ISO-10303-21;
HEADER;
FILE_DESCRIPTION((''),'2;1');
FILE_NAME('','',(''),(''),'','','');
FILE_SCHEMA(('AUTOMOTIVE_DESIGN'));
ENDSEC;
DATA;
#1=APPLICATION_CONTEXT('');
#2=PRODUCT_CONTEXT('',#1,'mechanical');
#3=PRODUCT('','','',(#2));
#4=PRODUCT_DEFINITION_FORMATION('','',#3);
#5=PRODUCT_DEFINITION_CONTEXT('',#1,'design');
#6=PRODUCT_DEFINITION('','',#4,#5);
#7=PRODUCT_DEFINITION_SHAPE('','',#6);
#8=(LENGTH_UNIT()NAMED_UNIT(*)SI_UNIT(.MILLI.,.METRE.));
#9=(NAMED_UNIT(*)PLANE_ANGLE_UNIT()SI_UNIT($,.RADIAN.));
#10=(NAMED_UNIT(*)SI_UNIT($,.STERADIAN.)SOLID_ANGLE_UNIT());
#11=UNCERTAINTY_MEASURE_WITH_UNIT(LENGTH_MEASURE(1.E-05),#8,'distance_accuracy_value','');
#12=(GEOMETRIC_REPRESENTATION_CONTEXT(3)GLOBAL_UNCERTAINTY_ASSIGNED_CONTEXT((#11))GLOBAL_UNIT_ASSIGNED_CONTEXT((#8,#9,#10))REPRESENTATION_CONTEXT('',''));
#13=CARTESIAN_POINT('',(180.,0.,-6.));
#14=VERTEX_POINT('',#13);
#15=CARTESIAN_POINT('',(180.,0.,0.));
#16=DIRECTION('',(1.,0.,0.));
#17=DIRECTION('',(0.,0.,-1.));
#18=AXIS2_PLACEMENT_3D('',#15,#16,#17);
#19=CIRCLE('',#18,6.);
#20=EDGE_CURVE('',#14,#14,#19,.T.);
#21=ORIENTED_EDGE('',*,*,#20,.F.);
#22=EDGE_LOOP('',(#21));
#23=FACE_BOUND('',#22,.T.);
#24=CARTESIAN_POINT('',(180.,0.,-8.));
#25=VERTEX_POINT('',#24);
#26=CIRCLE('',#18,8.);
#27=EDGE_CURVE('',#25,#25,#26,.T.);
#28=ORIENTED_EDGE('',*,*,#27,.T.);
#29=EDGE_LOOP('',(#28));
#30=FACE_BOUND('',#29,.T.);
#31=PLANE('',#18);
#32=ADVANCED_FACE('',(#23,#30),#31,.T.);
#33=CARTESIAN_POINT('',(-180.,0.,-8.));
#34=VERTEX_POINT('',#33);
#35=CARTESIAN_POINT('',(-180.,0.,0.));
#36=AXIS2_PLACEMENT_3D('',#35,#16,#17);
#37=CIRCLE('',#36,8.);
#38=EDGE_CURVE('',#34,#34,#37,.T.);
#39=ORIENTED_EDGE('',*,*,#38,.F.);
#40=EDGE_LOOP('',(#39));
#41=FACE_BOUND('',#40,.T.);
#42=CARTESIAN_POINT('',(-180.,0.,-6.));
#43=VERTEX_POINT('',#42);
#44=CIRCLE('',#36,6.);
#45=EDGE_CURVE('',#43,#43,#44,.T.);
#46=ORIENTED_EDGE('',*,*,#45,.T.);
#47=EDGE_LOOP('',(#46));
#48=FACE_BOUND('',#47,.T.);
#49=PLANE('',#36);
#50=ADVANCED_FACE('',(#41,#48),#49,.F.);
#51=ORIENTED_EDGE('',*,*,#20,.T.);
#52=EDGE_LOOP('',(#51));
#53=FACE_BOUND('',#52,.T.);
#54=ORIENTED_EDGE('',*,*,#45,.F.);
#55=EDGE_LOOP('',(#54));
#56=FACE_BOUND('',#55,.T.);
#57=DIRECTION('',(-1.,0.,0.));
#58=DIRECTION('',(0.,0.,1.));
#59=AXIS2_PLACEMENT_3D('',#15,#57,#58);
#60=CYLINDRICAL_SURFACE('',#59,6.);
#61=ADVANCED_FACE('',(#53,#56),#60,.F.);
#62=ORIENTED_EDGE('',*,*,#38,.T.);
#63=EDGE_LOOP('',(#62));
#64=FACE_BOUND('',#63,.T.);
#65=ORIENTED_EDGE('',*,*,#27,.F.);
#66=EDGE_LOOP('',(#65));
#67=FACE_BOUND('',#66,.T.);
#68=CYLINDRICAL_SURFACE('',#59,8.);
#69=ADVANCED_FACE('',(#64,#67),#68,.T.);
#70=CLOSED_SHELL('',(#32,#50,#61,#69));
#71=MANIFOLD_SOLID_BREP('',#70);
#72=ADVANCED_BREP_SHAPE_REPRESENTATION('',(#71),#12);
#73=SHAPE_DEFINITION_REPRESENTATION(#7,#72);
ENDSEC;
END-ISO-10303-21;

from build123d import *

# Parameters (mm, degrees)
SKETCH2_R           = 8
SKETCH2_R_2         = 6
BOSS_EXTRUDE2_DEPTH = 180


with BuildPart() as part:
    # Sketch2 → Boss-Extrude2 (new body, symmetric)
    with BuildSketch(Plane(origin=(0, 0, 0), x_dir=(0, 0, -1), z_dir=(1, 0, 0))):
        Circle(SKETCH2_R)
        Circle(SKETCH2_R_2, mode=Mode.SUBTRACT)
    extrude(amount=BOSS_EXTRUDE2_DEPTH, both=True)


solid = part.part
